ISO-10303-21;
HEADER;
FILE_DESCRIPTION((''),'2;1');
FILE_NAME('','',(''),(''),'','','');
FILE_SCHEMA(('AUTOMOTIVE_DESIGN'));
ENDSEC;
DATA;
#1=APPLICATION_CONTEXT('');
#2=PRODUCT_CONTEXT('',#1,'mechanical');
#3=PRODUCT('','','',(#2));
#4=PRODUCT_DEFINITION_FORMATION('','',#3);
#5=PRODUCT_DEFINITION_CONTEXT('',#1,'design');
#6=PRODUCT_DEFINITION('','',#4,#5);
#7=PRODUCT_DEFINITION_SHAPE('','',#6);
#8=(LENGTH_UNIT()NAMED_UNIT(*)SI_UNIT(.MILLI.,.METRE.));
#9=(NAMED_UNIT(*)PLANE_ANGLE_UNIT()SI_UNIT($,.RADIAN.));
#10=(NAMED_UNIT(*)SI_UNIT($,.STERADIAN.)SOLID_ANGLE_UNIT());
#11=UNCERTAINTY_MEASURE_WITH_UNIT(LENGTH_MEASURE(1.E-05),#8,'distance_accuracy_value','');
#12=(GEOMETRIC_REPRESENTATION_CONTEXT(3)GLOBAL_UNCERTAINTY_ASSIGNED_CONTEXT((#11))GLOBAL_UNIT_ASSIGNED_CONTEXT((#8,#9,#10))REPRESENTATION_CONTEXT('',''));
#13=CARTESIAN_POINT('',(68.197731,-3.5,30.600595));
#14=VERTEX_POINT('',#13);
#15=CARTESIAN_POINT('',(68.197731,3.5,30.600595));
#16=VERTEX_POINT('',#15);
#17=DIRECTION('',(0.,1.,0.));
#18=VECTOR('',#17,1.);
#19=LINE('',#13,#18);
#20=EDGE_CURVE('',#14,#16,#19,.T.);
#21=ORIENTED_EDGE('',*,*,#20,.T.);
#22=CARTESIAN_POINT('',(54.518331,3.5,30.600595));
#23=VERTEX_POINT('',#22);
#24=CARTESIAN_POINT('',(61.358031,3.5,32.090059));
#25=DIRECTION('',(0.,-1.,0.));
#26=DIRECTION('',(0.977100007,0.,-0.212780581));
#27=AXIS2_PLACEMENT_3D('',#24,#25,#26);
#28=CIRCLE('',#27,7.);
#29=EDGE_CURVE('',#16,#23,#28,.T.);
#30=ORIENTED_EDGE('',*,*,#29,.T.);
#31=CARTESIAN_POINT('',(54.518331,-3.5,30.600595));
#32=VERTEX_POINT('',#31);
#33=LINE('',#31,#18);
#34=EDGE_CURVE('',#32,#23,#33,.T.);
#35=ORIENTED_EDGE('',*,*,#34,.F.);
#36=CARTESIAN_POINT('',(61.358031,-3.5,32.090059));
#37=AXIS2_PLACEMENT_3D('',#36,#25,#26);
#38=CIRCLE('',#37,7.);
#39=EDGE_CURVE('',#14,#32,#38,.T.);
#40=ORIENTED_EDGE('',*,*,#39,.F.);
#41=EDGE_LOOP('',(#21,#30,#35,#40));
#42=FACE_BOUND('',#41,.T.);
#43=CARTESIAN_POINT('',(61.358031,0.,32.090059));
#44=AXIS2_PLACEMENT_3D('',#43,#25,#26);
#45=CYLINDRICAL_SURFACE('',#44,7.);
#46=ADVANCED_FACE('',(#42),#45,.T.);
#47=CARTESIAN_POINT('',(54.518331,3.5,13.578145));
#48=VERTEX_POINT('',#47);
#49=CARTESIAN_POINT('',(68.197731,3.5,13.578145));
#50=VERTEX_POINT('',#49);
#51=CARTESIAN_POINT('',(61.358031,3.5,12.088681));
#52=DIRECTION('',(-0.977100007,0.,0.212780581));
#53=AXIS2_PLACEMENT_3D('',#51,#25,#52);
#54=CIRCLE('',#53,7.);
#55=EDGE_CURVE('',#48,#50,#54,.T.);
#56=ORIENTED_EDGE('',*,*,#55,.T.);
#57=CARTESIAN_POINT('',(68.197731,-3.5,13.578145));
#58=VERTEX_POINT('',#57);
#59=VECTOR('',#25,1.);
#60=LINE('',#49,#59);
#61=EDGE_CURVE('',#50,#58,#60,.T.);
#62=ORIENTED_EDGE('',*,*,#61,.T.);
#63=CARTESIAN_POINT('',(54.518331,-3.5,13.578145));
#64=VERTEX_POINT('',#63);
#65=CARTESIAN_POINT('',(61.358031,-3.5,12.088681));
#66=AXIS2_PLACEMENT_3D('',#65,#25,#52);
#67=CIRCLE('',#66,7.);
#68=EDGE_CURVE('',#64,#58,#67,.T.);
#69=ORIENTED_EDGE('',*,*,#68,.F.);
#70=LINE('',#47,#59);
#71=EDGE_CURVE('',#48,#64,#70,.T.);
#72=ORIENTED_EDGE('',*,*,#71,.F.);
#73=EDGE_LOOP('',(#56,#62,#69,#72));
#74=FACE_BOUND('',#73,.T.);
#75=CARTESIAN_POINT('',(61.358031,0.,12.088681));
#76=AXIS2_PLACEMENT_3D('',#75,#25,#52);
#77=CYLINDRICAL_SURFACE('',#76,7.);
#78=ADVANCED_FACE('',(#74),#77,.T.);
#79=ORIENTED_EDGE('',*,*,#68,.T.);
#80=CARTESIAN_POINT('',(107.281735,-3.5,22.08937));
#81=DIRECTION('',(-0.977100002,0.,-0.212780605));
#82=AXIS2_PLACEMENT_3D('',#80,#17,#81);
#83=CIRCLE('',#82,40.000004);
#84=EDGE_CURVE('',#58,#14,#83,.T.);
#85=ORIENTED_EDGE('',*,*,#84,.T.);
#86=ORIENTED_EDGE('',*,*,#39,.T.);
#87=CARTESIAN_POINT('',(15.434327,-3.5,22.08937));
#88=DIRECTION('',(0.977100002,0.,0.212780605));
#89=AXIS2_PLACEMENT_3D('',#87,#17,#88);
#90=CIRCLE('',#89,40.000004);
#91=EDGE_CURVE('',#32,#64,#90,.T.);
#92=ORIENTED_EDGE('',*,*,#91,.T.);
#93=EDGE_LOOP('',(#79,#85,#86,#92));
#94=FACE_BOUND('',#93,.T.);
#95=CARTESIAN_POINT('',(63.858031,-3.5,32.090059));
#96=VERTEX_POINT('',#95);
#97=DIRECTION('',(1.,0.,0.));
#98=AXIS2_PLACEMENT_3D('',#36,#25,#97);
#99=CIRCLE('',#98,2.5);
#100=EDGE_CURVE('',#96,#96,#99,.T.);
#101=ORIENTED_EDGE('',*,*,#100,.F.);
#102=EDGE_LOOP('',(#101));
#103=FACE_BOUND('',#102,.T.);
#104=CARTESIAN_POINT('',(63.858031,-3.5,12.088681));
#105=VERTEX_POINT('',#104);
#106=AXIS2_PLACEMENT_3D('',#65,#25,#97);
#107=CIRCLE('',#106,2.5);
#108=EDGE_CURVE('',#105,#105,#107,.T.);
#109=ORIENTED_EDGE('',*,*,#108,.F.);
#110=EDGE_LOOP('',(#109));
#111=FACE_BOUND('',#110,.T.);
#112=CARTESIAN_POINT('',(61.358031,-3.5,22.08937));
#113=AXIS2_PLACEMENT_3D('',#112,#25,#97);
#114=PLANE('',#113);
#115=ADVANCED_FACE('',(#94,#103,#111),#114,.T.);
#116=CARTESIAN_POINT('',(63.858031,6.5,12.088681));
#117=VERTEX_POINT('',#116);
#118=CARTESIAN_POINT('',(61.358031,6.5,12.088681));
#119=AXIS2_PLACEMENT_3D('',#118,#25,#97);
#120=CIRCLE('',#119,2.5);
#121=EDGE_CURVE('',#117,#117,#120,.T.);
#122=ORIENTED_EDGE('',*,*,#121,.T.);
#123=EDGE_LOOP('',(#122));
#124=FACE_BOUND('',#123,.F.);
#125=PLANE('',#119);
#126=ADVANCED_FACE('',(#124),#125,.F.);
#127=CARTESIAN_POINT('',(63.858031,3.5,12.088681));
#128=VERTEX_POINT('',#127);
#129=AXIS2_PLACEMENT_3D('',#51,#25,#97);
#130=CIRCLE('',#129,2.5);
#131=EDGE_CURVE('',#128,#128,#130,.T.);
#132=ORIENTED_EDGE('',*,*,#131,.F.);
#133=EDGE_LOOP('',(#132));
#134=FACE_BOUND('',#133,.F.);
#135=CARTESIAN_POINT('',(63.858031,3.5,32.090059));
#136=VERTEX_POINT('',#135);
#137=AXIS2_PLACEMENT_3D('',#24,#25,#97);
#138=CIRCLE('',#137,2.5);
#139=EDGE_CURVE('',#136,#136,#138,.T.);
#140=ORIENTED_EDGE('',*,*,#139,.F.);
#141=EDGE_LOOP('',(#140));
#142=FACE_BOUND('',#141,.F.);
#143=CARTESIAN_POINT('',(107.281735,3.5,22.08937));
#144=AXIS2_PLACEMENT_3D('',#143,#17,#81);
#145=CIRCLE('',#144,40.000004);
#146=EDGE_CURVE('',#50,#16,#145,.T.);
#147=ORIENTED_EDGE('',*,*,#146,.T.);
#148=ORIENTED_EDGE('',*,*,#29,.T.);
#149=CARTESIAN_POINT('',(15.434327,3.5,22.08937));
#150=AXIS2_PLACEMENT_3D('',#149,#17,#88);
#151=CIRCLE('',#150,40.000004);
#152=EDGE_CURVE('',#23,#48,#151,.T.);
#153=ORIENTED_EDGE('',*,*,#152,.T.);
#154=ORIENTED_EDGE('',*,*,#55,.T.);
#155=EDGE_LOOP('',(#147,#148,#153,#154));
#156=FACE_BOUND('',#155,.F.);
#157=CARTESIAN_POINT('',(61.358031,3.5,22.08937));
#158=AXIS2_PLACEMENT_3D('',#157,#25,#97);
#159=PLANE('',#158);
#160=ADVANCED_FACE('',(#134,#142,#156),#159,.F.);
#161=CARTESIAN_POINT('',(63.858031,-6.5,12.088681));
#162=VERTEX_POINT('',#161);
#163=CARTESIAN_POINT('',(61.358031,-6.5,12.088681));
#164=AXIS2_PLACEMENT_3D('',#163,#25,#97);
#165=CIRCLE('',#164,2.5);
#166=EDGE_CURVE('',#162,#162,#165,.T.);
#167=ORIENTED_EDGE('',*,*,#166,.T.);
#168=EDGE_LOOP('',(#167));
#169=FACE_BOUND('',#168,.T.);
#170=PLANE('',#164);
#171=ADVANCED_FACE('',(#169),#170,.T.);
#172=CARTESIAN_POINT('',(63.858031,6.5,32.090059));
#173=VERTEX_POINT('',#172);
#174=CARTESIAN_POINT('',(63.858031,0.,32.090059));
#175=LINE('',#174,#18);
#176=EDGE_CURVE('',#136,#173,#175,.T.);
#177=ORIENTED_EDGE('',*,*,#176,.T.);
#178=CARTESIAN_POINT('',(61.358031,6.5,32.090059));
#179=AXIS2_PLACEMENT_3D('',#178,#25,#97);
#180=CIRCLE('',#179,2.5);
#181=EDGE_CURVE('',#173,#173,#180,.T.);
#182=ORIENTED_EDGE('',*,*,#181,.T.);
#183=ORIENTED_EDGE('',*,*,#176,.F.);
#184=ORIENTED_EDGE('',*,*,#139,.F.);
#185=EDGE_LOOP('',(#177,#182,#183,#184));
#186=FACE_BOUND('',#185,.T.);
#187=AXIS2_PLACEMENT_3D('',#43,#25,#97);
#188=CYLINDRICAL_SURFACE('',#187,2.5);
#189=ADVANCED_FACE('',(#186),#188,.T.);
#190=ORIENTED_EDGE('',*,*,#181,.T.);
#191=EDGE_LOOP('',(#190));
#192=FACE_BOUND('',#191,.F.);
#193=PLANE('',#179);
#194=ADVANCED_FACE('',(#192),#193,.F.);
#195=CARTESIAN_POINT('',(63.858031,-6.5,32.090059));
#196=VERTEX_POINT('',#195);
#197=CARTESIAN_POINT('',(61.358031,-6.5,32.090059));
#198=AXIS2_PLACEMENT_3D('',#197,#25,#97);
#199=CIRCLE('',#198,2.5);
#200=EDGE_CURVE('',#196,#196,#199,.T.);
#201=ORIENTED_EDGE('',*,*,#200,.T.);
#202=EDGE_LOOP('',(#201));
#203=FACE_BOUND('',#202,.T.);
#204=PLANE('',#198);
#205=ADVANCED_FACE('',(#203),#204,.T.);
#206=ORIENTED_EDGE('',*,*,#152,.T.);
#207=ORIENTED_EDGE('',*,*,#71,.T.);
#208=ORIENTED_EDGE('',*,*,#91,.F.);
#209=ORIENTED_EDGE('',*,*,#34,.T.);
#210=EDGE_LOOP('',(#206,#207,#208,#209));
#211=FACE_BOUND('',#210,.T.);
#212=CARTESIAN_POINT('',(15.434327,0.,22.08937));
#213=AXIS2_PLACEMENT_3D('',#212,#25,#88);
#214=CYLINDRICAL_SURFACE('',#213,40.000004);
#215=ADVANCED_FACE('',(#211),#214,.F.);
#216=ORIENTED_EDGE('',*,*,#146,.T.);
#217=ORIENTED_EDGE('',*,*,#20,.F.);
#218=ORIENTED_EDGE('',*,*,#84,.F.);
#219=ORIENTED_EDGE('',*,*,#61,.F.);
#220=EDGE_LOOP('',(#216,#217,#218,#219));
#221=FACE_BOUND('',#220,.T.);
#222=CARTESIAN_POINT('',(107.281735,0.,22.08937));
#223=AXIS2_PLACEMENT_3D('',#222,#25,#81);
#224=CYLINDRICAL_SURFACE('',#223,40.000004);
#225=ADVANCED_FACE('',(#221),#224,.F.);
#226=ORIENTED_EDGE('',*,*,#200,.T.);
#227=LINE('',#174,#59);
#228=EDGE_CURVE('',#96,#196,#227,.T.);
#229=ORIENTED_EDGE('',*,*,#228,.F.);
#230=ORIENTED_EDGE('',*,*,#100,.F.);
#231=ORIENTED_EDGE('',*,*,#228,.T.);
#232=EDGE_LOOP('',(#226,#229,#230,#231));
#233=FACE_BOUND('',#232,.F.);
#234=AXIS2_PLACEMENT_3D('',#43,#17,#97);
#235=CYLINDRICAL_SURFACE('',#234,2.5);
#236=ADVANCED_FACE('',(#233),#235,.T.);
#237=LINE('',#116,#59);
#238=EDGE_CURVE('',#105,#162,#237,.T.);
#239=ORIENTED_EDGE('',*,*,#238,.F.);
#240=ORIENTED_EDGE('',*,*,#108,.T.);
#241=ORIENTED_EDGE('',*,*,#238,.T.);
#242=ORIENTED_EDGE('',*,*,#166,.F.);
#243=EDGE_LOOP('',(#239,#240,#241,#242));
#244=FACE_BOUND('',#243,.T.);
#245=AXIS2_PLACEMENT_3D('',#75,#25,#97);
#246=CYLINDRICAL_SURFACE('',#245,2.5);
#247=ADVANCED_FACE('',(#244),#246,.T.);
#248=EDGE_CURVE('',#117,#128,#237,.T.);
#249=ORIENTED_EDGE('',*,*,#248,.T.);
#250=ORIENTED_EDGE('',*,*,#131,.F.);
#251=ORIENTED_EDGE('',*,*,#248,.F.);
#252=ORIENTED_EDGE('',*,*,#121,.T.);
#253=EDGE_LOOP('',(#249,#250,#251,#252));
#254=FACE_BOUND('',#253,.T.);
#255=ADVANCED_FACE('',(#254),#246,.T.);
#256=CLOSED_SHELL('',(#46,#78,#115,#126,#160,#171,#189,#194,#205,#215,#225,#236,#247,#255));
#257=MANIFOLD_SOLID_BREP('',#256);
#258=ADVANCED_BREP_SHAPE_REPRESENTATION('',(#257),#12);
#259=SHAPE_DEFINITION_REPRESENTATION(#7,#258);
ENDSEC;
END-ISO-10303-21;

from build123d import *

# Parameters (mm, degrees)
F0_R     = 2.5
F1_DEPTH = 3.5
F2_R     = 2.5
F3_DEPTH = 6.5


with BuildPart() as f1:
    # F0 (on Front) → F1 (new body, symmetric)
    with BuildSketch(Plane.XZ):
        with BuildLine():
            ThreePointArc((54.518331, 30.600595), (55.434331, 22.08937), (54.518331, 13.578145))
            ThreePointArc((54.518331, 13.578145), (61.358031, 5.088681), (68.197731, 13.578145))
            ThreePointArc((68.197731, 13.578145), (67.281731, 22.08937), (68.197731, 30.600595))
            ThreePointArc((68.197731, 30.600595), (61.358031, 39.090059), (54.518331, 30.600595))
        make_face()
        with Locations((61.358031, 12.088681)):
            Circle(F0_R, mode=Mode.SUBTRACT)
        with Locations((61.358031, 32.090059)):
            Circle(F0_R, mode=Mode.SUBTRACT)
    extrude(amount=F1_DEPTH, both=True)

    # F2 (on Front) → F3 (join, symmetric)
    with BuildSketch(Plane.XZ):
        with Locations((61.358031, 32.090059)):
            Circle(F2_R)
        with Locations((61.358031, 12.088681)):
            Circle(F2_R)
    extrude(amount=F3_DEPTH, both=True)


solid = f1.part
